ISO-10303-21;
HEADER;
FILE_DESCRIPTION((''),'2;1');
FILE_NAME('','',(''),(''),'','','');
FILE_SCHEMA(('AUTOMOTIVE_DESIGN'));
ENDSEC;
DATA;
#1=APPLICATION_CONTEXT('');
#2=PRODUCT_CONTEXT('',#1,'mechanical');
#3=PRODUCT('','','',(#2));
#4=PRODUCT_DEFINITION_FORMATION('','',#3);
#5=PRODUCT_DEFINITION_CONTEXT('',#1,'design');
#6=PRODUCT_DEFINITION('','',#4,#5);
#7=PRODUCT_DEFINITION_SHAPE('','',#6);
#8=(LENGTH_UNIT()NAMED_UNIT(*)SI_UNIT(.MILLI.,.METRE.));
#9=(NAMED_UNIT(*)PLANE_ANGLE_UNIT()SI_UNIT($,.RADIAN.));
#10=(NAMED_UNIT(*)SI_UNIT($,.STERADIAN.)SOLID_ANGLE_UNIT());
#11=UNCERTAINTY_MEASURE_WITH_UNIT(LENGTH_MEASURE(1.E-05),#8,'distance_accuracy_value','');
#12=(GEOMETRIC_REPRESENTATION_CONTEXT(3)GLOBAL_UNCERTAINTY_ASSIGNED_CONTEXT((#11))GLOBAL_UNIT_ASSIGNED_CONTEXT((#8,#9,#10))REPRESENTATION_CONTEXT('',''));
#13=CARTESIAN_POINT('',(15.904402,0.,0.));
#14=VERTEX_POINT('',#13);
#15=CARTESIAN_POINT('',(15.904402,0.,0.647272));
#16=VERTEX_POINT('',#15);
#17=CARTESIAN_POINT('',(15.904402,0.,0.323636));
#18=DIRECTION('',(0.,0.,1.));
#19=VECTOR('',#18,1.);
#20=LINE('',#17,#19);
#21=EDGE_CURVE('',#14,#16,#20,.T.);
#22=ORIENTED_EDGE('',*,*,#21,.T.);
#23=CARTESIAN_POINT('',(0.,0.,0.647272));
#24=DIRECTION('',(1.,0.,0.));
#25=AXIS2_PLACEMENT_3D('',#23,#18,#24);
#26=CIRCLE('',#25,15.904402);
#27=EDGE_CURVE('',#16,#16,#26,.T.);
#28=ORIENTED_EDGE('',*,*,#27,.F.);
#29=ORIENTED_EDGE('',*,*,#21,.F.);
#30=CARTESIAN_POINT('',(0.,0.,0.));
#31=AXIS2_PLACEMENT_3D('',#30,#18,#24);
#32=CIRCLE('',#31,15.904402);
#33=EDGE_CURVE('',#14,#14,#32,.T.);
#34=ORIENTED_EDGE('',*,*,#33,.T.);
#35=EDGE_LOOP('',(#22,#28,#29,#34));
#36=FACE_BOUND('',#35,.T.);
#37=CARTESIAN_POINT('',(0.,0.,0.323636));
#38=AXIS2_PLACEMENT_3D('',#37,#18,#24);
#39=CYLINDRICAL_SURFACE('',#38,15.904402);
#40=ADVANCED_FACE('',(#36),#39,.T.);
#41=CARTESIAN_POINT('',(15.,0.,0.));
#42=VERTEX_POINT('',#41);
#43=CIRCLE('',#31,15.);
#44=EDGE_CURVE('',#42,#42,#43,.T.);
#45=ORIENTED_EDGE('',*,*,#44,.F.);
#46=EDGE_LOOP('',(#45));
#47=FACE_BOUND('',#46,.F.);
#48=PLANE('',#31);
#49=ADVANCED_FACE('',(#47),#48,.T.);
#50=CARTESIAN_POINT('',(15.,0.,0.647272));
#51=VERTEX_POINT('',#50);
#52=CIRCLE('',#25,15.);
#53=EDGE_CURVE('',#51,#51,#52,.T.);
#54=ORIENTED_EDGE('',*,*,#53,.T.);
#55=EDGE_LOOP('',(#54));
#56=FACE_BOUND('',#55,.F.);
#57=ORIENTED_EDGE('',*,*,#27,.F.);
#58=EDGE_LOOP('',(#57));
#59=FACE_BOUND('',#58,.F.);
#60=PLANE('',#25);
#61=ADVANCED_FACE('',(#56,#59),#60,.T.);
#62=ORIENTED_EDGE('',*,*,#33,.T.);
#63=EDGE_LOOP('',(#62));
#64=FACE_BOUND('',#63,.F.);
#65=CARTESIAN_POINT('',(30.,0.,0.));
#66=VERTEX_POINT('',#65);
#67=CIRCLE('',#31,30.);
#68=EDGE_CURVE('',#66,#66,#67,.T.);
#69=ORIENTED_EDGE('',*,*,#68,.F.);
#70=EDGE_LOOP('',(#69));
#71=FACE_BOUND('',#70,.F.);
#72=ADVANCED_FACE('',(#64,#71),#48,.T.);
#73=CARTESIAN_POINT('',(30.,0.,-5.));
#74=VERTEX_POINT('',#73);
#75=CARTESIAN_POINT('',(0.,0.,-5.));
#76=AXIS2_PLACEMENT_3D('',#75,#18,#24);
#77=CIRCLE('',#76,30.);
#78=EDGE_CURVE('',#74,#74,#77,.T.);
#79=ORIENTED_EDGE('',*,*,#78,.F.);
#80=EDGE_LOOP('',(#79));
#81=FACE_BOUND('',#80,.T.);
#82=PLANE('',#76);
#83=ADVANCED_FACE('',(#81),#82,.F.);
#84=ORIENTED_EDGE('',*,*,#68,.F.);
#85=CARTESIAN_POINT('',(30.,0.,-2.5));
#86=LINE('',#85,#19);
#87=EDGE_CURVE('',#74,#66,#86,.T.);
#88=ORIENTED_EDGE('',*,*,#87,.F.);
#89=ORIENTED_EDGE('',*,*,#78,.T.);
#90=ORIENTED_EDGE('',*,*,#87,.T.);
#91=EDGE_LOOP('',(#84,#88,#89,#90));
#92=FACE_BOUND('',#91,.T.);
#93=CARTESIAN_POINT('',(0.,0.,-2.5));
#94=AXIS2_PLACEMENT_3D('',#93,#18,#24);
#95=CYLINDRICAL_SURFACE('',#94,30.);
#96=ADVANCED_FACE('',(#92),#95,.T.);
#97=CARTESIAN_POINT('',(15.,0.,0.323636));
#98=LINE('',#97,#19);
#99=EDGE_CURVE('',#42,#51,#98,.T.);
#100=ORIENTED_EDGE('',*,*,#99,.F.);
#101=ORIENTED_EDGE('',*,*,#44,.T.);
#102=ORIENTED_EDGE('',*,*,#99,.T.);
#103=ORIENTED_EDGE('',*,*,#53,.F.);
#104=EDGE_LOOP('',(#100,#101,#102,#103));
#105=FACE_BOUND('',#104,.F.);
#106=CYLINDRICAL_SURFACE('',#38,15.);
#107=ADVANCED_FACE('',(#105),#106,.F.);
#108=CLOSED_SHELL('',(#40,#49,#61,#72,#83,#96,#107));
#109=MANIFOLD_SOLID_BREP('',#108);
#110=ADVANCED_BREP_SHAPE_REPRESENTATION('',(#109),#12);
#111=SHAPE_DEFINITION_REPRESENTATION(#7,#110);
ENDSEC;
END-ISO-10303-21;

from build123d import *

# Parameters (mm, degrees)
F0_W = 30
F0_H = 5
F2_W = 0.904402
F2_H = 0.647272


with BuildPart() as f1:
    # F0 (on Front) → F1 (revolve)
    with BuildSketch(Plane.XZ):
        with Locations((15, -2.5)):
            Rectangle(F0_W, F0_H)
    revolve(axis=Axis((0, 0, 13.115438), (0, 0, 1)))

    # F2 (on Front) → F3 (revolve)
    with BuildSketch(Plane.XZ):
        with Locations((15.452201, 0.323636)):
            Rectangle(F2_W, F2_H)
    revolve(axis=Axis((0, 0, 1.22493), (0, 0, 1)))


solid = f1.part
